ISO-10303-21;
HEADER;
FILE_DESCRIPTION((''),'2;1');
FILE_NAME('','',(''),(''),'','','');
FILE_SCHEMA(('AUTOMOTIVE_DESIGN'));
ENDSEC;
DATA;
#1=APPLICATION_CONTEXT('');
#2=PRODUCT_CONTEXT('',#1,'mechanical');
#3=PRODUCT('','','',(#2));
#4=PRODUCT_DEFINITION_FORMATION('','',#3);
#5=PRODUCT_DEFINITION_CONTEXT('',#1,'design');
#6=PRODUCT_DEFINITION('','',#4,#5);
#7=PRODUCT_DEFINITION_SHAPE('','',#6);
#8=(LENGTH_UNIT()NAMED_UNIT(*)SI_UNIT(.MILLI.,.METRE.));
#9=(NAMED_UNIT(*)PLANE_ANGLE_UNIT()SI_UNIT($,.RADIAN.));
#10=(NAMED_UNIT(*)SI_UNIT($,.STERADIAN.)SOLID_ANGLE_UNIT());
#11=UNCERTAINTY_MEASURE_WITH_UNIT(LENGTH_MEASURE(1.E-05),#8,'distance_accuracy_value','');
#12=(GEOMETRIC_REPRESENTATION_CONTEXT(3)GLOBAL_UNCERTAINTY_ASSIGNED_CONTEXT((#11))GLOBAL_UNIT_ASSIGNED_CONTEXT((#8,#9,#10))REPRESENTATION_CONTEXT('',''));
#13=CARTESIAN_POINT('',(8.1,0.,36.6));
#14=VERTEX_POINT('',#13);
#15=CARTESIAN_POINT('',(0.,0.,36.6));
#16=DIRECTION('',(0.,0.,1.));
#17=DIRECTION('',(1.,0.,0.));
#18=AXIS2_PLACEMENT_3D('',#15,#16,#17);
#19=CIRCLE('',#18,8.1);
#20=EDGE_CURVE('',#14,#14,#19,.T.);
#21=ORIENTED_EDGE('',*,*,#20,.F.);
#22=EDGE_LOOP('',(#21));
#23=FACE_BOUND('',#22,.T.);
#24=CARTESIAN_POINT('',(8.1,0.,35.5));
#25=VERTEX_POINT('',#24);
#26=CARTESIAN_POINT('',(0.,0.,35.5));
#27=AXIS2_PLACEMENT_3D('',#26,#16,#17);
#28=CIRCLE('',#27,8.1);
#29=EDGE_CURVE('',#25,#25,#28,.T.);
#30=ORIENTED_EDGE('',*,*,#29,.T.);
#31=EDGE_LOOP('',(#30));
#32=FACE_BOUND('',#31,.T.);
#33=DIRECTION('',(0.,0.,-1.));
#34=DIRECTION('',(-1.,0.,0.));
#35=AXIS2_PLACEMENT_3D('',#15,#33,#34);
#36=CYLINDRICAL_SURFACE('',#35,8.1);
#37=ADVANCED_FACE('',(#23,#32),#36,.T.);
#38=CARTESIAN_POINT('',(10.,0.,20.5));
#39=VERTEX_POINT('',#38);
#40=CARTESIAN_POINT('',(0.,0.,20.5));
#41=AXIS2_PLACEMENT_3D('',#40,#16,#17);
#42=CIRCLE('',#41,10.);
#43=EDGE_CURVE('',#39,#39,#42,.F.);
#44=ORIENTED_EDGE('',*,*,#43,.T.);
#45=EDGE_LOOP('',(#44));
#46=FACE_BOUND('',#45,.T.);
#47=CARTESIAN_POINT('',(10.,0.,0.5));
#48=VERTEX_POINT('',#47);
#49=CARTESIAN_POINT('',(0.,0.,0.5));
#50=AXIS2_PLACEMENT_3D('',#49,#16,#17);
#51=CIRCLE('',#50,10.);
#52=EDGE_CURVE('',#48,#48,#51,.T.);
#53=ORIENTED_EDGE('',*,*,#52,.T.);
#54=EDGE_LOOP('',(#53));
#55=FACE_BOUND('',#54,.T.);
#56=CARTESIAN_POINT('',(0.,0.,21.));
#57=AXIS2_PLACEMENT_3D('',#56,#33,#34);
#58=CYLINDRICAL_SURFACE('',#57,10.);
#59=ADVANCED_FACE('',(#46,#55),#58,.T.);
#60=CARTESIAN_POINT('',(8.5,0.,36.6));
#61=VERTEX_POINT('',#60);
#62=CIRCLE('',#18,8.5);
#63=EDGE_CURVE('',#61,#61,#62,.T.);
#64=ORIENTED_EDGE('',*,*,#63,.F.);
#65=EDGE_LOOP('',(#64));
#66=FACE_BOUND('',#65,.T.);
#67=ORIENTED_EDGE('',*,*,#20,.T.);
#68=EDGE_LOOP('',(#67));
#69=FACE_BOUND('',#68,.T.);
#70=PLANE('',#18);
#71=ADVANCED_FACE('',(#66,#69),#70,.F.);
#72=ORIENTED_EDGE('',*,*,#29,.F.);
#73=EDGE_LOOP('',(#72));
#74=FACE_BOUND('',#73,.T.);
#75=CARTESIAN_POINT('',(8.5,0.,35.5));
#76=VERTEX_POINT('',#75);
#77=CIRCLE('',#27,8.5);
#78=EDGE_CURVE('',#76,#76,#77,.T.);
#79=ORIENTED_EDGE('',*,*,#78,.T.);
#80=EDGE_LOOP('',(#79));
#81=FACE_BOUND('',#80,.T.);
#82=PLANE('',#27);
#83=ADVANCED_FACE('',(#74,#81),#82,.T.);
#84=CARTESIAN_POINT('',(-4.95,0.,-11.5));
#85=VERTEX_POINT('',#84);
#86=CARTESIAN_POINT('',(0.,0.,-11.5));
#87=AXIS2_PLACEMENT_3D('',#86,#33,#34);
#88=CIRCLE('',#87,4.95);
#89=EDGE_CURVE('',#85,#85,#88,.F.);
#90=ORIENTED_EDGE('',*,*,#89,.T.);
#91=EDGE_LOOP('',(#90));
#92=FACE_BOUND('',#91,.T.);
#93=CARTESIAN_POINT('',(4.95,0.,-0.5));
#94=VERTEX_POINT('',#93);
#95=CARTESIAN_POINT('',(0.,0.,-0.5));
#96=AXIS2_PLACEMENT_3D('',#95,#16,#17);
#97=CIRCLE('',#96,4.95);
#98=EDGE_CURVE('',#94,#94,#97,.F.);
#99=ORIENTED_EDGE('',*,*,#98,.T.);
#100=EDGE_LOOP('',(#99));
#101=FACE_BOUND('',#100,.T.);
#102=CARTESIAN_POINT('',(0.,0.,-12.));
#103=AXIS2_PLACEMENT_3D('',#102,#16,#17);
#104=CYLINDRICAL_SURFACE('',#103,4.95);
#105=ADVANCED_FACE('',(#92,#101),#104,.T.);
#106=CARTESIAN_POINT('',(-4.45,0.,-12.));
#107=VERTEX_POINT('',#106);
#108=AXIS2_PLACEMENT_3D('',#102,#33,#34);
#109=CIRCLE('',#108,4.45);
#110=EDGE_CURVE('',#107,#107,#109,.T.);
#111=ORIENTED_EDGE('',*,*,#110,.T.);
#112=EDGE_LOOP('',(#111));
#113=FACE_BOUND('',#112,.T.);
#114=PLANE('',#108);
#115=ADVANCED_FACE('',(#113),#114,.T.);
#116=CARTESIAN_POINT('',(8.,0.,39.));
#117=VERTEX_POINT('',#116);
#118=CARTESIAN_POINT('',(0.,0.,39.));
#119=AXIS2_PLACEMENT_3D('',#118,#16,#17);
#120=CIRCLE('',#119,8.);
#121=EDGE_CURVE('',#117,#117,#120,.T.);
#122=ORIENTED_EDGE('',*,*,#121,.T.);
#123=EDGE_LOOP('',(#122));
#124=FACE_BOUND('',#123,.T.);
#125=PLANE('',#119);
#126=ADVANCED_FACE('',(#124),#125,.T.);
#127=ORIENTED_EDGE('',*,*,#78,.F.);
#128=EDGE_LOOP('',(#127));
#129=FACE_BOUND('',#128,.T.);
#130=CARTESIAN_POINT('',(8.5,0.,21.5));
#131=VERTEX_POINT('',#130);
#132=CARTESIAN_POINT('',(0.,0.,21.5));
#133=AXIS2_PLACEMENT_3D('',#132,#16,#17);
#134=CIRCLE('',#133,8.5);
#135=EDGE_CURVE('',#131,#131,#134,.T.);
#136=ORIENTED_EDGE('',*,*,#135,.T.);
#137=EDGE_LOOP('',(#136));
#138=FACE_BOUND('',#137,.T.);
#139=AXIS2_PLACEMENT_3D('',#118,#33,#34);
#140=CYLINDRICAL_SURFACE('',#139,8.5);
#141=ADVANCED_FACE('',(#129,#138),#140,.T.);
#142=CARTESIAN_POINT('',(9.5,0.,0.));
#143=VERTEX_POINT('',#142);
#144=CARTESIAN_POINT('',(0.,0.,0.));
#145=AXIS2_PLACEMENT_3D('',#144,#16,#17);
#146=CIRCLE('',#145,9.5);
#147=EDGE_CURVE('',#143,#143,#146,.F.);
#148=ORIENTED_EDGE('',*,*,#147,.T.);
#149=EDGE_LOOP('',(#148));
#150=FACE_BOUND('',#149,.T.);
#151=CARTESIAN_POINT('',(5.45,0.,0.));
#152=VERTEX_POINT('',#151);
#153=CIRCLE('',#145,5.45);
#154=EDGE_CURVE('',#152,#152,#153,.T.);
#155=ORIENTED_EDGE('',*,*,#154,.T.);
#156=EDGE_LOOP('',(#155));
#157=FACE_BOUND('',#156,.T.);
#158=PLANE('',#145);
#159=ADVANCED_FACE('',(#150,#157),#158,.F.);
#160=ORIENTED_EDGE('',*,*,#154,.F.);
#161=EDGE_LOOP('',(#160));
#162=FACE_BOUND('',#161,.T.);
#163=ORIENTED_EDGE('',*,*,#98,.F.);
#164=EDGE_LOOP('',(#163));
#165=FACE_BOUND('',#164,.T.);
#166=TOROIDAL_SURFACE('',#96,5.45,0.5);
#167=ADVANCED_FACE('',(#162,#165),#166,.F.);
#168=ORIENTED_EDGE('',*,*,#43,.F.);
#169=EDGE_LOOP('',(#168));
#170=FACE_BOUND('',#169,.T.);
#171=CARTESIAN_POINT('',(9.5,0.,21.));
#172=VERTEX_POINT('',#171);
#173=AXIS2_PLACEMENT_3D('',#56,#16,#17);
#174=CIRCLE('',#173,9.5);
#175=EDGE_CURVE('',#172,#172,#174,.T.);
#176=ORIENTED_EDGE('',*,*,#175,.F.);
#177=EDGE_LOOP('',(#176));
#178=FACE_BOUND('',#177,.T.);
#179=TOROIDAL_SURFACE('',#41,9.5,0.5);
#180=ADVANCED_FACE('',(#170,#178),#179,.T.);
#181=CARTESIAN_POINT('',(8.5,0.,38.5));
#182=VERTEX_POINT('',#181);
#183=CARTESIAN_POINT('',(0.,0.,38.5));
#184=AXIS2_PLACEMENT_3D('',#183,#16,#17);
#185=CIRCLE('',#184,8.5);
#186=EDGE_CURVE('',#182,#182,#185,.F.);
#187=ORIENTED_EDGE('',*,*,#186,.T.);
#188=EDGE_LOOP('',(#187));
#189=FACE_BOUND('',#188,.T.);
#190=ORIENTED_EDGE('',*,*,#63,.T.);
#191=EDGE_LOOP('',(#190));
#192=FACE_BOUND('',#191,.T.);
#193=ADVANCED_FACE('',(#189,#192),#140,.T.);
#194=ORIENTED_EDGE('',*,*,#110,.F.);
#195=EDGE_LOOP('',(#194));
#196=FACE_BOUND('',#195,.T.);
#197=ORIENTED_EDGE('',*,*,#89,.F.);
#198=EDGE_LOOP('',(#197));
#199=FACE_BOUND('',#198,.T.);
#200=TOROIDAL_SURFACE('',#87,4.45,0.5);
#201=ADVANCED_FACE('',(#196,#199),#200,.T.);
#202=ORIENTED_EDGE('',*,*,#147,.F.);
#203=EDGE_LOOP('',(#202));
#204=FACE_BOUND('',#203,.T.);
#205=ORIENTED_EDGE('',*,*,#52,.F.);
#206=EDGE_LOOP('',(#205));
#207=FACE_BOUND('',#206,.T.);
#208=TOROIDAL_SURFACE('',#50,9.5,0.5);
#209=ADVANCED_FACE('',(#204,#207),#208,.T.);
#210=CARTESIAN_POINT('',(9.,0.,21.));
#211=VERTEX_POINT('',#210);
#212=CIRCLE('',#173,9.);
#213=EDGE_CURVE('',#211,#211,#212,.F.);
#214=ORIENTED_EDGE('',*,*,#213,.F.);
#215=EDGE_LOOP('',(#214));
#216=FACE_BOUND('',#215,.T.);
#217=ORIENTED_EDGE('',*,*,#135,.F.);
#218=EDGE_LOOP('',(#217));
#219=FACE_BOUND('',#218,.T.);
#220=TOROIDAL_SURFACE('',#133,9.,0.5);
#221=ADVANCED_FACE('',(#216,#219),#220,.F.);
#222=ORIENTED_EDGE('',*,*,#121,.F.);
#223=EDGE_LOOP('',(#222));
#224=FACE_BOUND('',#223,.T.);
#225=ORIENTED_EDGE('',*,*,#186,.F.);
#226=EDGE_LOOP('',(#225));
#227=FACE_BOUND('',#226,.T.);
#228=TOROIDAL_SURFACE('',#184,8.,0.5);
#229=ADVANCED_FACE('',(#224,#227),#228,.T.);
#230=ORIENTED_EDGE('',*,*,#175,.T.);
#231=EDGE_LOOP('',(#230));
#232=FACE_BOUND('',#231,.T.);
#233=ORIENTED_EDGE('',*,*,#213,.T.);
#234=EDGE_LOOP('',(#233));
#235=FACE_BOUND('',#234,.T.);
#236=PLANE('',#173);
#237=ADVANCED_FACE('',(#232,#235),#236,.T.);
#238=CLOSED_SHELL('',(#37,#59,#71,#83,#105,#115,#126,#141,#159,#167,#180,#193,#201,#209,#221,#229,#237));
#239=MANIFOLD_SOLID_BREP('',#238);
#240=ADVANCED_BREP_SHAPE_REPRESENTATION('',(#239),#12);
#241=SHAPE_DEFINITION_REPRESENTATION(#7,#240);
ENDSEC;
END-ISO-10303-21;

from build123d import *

# Parameters (mm, degrees)
SKETCH_1_R          = 10
EXTRUDE_1_DEPTH     = 21
SKETCH_2_R          = 8.5
EXTRUDE_2_DEPTH     = 18
SKETCH_3_R          = 4.95
EXTRUDE_3_DEPTH     = 12
FILLET_1_R          = 0.5
FILLET_2_R          = 0.5
SKETCH_4_OUTSIDE_W  = 33.664
SKETCH_4_OUTSIDE_H  = 33.664
SKETCH_4_OUTSIDE_R  = 8.1
CUT_EXTRUDE_1_DEPTH = 1.1


with BuildPart() as part:
    # 草图1 → 凸台-拉伸1 (new body)
    with BuildSketch(Plane.XY):
        Circle(SKETCH_1_R)
    extrude(amount=EXTRUDE_1_DEPTH)

    # 草图2 → 凸台-拉伸2 (add)
    with BuildSketch(Plane.XY.offset(21)):
        Circle(SKETCH_2_R)
    extrude(amount=EXTRUDE_2_DEPTH)

    # 草图3 → 凸台-拉伸3 (add)
    with BuildSketch(Plane(origin=(0, 0, 0), x_dir=(-1, 0, 0), z_dir=(0, 0, -1))):
        Circle(SKETCH_3_R)
    extrude(amount=EXTRUDE_3_DEPTH)

    # 圆角1
    fillet_1_edges = [part.edges().sort_by_distance(p)[0] for p in [
        (-8.5, 0, 21),
        (4.95, 0, 0),
    ]]
    fillet(fillet_1_edges, radius=FILLET_1_R)

    # 圆角2
    fillet_2_edges = [part.edges().sort_by_distance(p)[0] for p in [
        (4.95, 0, -12),
        (-10, 0, 0),
        (-10, 0, 21),
        (-8.5, 0, 39),
    ]]
    fillet(fillet_2_edges, radius=FILLET_2_R)

    # 草图4 outside → 切除-拉伸1 (cut)
    with BuildSketch(Plane.XY.offset(35.5)):
        Rectangle(SKETCH_4_OUTSIDE_W, SKETCH_4_OUTSIDE_H)
        Circle(SKETCH_4_OUTSIDE_R, mode=Mode.SUBTRACT)
    extrude(amount=CUT_EXTRUDE_1_DEPTH, mode=Mode.SUBTRACT)


solid = part.part
